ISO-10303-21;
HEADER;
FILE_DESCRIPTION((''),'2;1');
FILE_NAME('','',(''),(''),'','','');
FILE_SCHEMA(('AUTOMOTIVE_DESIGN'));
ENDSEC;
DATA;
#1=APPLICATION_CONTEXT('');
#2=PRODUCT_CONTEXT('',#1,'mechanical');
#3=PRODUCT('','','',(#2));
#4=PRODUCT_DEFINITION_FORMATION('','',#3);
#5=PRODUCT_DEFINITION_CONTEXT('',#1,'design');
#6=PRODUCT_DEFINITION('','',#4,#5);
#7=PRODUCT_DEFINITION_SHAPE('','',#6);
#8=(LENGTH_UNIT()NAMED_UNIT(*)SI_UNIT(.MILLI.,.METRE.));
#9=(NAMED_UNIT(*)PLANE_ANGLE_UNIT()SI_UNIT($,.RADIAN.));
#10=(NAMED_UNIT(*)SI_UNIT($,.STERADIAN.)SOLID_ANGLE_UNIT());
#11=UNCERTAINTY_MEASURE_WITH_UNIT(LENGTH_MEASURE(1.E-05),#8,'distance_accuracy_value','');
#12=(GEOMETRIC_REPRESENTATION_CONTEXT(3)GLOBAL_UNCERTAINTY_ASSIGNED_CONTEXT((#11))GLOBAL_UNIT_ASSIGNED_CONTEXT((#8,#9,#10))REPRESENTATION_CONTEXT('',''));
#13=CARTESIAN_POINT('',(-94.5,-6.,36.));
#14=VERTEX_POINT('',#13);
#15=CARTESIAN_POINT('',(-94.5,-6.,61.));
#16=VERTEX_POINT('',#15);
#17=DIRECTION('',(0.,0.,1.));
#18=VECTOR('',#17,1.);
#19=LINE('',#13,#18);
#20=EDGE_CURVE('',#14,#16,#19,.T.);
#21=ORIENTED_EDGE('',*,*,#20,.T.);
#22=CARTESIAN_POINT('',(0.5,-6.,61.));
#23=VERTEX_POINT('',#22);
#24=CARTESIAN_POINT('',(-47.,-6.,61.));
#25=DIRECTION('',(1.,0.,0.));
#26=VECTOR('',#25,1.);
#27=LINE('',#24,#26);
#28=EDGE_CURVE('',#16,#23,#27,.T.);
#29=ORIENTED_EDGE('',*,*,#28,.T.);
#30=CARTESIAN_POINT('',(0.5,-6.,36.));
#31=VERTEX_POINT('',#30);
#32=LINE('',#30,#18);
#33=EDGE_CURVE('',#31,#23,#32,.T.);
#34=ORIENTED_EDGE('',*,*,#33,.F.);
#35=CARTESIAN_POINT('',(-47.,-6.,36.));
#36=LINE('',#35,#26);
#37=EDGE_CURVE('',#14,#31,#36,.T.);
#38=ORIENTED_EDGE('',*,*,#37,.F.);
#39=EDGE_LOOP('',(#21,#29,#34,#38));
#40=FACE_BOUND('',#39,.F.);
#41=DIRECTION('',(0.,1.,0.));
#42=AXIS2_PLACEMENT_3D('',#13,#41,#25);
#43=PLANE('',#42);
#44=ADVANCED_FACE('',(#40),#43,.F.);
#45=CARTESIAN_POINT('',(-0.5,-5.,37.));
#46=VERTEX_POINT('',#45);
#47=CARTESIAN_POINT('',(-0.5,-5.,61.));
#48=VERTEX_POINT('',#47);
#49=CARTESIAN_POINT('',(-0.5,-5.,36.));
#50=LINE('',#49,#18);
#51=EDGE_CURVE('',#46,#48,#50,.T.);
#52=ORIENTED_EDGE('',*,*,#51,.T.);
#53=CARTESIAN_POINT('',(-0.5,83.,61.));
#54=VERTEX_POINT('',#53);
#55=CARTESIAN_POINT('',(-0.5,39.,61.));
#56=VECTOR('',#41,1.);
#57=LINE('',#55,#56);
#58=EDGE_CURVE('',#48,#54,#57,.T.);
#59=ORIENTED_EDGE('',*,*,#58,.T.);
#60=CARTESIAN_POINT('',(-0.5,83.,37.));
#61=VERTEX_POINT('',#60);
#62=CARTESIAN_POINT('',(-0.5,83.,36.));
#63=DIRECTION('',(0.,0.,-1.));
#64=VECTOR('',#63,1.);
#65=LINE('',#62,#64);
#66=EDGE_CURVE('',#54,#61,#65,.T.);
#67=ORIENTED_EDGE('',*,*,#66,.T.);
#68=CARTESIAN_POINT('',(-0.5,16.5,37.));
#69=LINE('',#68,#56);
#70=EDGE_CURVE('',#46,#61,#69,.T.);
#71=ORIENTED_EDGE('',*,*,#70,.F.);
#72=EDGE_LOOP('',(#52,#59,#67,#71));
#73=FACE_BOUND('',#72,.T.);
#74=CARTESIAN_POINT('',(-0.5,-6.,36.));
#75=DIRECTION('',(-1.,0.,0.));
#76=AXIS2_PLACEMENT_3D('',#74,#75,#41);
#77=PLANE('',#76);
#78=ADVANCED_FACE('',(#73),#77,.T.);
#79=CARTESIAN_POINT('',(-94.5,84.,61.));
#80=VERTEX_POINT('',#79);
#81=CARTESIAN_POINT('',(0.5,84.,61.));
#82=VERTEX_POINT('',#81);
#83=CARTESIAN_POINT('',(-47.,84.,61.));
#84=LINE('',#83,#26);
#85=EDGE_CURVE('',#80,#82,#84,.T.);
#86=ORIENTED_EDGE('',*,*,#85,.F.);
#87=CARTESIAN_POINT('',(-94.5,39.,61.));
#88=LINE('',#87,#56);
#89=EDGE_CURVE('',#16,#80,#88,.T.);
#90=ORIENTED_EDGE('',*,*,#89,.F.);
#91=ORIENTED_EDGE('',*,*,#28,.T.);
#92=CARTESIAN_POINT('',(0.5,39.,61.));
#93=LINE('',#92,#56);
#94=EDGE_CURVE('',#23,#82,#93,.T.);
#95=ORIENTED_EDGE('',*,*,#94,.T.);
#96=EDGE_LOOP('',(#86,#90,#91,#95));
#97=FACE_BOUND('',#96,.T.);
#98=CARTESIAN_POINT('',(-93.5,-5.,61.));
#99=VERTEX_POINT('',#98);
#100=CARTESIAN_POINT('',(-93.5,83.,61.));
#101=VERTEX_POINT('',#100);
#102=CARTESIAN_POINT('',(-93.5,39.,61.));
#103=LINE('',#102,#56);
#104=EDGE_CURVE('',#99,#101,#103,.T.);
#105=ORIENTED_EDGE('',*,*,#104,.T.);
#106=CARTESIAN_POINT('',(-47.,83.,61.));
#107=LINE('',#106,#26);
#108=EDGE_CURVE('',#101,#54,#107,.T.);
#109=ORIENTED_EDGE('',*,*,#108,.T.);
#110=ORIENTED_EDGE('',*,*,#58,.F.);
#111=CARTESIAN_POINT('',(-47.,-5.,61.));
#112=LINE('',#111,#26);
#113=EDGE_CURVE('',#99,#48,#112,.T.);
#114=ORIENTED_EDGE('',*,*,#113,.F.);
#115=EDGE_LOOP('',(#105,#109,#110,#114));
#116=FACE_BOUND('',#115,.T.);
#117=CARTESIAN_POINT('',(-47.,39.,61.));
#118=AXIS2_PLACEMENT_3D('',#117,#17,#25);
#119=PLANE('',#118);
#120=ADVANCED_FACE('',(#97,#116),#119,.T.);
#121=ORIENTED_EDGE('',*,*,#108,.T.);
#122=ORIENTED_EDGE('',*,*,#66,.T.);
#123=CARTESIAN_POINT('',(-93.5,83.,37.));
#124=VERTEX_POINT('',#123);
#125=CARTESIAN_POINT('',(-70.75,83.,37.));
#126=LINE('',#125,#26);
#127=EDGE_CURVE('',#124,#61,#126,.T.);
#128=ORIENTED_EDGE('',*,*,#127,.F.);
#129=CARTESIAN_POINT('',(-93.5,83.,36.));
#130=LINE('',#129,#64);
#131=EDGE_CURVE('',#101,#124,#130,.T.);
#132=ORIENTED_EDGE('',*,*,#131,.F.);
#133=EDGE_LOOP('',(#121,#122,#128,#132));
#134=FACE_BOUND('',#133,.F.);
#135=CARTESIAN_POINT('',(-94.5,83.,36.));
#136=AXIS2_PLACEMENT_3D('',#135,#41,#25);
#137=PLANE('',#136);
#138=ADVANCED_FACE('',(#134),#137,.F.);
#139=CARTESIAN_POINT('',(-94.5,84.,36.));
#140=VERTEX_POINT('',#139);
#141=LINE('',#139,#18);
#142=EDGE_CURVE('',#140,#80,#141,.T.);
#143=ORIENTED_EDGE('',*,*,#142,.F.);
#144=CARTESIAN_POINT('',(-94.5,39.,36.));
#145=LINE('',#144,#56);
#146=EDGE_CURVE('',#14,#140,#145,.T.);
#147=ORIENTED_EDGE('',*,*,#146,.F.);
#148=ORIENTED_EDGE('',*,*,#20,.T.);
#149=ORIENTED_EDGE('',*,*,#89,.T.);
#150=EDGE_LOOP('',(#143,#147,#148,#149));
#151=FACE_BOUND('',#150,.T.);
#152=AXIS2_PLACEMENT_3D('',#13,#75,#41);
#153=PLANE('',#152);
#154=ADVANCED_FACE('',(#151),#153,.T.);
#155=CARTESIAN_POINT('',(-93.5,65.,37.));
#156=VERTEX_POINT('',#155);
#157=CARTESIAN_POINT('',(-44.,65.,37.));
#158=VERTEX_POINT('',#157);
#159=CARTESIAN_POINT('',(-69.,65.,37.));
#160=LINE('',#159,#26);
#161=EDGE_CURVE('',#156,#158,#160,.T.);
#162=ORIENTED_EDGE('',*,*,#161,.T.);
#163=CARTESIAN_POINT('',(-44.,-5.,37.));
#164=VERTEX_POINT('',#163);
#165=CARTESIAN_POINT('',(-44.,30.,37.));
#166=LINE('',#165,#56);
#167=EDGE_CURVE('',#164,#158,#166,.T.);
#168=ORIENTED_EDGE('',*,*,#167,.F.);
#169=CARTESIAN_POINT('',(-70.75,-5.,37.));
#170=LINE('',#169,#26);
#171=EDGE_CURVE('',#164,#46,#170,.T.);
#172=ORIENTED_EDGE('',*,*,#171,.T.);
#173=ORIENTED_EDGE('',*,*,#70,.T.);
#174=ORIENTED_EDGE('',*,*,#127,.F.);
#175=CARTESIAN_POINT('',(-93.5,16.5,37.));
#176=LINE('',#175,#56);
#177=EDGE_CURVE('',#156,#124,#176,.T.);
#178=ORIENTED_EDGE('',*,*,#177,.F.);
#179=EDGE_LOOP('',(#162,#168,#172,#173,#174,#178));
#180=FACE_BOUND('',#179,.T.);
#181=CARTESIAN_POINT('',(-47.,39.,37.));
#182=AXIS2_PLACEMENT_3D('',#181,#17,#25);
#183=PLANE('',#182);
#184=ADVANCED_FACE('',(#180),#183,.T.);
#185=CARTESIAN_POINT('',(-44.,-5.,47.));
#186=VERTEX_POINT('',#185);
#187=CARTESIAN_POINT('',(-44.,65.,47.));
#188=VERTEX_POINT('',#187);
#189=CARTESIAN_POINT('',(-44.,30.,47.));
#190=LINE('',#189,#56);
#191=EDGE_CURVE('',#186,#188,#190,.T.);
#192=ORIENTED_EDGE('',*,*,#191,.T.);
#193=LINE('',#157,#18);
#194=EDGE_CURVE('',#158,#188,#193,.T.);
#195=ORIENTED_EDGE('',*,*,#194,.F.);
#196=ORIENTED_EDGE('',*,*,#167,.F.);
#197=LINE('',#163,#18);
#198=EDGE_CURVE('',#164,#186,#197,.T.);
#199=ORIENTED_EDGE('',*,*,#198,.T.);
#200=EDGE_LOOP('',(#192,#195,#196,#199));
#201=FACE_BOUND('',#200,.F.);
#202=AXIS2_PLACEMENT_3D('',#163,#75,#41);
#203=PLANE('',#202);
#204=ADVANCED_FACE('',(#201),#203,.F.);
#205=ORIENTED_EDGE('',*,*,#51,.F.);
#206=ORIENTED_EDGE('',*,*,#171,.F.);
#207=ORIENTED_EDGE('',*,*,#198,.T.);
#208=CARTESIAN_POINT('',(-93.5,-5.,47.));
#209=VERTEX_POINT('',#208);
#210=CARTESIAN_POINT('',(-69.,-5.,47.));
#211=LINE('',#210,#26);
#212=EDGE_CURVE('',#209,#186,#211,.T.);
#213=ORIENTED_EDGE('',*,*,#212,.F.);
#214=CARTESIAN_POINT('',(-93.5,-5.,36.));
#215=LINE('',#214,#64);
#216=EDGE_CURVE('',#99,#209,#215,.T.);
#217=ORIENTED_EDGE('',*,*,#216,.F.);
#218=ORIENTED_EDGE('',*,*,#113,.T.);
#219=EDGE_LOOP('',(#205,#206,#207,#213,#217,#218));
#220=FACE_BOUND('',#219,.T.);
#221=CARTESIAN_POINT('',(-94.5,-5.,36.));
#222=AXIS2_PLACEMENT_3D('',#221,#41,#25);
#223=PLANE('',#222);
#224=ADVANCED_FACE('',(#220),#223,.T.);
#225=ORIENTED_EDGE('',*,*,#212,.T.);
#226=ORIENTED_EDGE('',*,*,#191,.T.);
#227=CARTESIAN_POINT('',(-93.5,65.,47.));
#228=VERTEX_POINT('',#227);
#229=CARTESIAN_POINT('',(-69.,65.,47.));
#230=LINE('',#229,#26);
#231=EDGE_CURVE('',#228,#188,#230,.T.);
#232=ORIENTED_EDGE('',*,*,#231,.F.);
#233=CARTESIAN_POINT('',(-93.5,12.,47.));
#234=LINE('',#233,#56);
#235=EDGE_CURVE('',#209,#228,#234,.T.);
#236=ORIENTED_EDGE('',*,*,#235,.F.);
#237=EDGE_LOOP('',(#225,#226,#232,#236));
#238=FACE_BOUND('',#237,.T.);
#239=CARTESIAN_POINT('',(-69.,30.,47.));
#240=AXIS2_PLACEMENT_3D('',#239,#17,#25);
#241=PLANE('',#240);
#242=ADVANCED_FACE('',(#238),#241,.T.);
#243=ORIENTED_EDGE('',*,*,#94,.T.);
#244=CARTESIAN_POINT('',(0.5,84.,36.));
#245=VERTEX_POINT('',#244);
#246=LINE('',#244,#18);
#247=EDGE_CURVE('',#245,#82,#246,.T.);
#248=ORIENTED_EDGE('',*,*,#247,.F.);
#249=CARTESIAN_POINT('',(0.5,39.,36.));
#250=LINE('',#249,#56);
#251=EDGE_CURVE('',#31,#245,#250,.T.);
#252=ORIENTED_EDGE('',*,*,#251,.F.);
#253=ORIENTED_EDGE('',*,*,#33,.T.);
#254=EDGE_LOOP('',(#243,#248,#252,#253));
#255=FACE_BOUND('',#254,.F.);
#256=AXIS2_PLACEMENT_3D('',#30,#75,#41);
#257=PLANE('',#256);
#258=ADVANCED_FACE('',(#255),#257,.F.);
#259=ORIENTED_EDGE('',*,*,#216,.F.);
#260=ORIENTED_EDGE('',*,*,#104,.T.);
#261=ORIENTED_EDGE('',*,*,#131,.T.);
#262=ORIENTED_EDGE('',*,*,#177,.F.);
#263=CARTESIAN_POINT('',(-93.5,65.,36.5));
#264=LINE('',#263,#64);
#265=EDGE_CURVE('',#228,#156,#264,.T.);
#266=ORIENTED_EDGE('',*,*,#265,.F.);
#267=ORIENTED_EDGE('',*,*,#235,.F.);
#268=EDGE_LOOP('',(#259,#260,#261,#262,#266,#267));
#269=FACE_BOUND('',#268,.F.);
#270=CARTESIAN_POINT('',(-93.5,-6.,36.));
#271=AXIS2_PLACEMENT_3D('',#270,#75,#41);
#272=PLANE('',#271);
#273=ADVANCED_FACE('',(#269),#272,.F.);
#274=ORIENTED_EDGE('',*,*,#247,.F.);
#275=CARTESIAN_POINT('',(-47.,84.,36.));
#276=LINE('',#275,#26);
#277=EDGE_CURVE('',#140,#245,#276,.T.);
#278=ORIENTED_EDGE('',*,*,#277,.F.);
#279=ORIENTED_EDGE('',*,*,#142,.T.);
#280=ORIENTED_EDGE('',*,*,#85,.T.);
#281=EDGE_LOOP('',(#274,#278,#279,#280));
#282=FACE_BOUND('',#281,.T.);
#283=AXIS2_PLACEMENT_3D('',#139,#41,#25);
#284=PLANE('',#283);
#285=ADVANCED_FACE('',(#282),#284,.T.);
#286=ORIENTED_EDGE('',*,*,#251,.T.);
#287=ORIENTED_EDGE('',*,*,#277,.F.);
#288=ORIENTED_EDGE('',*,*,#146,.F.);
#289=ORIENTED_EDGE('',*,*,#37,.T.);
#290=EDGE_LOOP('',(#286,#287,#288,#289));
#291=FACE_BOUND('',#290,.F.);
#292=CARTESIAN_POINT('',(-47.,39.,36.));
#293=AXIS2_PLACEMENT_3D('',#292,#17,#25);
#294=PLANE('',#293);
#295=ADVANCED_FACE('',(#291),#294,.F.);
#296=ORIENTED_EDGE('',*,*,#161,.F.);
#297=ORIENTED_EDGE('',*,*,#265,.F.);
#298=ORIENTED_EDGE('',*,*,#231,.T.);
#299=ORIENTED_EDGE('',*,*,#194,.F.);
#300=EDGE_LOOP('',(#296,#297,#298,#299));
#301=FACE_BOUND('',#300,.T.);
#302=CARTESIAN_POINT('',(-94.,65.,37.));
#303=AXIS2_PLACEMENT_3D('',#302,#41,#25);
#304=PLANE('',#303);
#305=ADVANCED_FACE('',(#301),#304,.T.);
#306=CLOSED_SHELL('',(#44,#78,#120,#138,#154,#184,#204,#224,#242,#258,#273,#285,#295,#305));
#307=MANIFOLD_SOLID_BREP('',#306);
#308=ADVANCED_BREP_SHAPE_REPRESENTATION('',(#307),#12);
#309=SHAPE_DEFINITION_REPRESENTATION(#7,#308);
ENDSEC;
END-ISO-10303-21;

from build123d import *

# Parameters (mm, degrees)
SKETCH017_W    = 95
SKETCH017_H    = 90
PAD010_DEPTH   = 25
THICKNESS001_T = -1
SKETCH021_W    = 50
SKETCH021_H    = 70
PAD013_DEPTH   = 10


with BuildPart() as part:
    # Sketch017 → Pad010 (new body)
    with BuildSketch(Plane.XY):
        Rectangle(SKETCH017_W, SKETCH017_H)
    extrude(amount=PAD010_DEPTH)

    # Thickness001
    thickness001_openings = [part.faces().sort_by_distance(p)[0] for p in [
        (0, 0, 25),
    ]]
    offset(amount=THICKNESS001_T, openings=thickness001_openings)

    # Sketch021 (on DatumPlane) → Pad013 (join)
    with BuildSketch(Plane.XY.offset(1)):
        with Locations((-22, -9)):
            Rectangle(SKETCH021_W, SKETCH021_H)
    extrude(amount=PAD013_DEPTH)


with BuildPart() as part_1:
    # Body005 placement: moved
    add(part.part.moved(Location((-47, 39, 36))))


solid = part_1.part
